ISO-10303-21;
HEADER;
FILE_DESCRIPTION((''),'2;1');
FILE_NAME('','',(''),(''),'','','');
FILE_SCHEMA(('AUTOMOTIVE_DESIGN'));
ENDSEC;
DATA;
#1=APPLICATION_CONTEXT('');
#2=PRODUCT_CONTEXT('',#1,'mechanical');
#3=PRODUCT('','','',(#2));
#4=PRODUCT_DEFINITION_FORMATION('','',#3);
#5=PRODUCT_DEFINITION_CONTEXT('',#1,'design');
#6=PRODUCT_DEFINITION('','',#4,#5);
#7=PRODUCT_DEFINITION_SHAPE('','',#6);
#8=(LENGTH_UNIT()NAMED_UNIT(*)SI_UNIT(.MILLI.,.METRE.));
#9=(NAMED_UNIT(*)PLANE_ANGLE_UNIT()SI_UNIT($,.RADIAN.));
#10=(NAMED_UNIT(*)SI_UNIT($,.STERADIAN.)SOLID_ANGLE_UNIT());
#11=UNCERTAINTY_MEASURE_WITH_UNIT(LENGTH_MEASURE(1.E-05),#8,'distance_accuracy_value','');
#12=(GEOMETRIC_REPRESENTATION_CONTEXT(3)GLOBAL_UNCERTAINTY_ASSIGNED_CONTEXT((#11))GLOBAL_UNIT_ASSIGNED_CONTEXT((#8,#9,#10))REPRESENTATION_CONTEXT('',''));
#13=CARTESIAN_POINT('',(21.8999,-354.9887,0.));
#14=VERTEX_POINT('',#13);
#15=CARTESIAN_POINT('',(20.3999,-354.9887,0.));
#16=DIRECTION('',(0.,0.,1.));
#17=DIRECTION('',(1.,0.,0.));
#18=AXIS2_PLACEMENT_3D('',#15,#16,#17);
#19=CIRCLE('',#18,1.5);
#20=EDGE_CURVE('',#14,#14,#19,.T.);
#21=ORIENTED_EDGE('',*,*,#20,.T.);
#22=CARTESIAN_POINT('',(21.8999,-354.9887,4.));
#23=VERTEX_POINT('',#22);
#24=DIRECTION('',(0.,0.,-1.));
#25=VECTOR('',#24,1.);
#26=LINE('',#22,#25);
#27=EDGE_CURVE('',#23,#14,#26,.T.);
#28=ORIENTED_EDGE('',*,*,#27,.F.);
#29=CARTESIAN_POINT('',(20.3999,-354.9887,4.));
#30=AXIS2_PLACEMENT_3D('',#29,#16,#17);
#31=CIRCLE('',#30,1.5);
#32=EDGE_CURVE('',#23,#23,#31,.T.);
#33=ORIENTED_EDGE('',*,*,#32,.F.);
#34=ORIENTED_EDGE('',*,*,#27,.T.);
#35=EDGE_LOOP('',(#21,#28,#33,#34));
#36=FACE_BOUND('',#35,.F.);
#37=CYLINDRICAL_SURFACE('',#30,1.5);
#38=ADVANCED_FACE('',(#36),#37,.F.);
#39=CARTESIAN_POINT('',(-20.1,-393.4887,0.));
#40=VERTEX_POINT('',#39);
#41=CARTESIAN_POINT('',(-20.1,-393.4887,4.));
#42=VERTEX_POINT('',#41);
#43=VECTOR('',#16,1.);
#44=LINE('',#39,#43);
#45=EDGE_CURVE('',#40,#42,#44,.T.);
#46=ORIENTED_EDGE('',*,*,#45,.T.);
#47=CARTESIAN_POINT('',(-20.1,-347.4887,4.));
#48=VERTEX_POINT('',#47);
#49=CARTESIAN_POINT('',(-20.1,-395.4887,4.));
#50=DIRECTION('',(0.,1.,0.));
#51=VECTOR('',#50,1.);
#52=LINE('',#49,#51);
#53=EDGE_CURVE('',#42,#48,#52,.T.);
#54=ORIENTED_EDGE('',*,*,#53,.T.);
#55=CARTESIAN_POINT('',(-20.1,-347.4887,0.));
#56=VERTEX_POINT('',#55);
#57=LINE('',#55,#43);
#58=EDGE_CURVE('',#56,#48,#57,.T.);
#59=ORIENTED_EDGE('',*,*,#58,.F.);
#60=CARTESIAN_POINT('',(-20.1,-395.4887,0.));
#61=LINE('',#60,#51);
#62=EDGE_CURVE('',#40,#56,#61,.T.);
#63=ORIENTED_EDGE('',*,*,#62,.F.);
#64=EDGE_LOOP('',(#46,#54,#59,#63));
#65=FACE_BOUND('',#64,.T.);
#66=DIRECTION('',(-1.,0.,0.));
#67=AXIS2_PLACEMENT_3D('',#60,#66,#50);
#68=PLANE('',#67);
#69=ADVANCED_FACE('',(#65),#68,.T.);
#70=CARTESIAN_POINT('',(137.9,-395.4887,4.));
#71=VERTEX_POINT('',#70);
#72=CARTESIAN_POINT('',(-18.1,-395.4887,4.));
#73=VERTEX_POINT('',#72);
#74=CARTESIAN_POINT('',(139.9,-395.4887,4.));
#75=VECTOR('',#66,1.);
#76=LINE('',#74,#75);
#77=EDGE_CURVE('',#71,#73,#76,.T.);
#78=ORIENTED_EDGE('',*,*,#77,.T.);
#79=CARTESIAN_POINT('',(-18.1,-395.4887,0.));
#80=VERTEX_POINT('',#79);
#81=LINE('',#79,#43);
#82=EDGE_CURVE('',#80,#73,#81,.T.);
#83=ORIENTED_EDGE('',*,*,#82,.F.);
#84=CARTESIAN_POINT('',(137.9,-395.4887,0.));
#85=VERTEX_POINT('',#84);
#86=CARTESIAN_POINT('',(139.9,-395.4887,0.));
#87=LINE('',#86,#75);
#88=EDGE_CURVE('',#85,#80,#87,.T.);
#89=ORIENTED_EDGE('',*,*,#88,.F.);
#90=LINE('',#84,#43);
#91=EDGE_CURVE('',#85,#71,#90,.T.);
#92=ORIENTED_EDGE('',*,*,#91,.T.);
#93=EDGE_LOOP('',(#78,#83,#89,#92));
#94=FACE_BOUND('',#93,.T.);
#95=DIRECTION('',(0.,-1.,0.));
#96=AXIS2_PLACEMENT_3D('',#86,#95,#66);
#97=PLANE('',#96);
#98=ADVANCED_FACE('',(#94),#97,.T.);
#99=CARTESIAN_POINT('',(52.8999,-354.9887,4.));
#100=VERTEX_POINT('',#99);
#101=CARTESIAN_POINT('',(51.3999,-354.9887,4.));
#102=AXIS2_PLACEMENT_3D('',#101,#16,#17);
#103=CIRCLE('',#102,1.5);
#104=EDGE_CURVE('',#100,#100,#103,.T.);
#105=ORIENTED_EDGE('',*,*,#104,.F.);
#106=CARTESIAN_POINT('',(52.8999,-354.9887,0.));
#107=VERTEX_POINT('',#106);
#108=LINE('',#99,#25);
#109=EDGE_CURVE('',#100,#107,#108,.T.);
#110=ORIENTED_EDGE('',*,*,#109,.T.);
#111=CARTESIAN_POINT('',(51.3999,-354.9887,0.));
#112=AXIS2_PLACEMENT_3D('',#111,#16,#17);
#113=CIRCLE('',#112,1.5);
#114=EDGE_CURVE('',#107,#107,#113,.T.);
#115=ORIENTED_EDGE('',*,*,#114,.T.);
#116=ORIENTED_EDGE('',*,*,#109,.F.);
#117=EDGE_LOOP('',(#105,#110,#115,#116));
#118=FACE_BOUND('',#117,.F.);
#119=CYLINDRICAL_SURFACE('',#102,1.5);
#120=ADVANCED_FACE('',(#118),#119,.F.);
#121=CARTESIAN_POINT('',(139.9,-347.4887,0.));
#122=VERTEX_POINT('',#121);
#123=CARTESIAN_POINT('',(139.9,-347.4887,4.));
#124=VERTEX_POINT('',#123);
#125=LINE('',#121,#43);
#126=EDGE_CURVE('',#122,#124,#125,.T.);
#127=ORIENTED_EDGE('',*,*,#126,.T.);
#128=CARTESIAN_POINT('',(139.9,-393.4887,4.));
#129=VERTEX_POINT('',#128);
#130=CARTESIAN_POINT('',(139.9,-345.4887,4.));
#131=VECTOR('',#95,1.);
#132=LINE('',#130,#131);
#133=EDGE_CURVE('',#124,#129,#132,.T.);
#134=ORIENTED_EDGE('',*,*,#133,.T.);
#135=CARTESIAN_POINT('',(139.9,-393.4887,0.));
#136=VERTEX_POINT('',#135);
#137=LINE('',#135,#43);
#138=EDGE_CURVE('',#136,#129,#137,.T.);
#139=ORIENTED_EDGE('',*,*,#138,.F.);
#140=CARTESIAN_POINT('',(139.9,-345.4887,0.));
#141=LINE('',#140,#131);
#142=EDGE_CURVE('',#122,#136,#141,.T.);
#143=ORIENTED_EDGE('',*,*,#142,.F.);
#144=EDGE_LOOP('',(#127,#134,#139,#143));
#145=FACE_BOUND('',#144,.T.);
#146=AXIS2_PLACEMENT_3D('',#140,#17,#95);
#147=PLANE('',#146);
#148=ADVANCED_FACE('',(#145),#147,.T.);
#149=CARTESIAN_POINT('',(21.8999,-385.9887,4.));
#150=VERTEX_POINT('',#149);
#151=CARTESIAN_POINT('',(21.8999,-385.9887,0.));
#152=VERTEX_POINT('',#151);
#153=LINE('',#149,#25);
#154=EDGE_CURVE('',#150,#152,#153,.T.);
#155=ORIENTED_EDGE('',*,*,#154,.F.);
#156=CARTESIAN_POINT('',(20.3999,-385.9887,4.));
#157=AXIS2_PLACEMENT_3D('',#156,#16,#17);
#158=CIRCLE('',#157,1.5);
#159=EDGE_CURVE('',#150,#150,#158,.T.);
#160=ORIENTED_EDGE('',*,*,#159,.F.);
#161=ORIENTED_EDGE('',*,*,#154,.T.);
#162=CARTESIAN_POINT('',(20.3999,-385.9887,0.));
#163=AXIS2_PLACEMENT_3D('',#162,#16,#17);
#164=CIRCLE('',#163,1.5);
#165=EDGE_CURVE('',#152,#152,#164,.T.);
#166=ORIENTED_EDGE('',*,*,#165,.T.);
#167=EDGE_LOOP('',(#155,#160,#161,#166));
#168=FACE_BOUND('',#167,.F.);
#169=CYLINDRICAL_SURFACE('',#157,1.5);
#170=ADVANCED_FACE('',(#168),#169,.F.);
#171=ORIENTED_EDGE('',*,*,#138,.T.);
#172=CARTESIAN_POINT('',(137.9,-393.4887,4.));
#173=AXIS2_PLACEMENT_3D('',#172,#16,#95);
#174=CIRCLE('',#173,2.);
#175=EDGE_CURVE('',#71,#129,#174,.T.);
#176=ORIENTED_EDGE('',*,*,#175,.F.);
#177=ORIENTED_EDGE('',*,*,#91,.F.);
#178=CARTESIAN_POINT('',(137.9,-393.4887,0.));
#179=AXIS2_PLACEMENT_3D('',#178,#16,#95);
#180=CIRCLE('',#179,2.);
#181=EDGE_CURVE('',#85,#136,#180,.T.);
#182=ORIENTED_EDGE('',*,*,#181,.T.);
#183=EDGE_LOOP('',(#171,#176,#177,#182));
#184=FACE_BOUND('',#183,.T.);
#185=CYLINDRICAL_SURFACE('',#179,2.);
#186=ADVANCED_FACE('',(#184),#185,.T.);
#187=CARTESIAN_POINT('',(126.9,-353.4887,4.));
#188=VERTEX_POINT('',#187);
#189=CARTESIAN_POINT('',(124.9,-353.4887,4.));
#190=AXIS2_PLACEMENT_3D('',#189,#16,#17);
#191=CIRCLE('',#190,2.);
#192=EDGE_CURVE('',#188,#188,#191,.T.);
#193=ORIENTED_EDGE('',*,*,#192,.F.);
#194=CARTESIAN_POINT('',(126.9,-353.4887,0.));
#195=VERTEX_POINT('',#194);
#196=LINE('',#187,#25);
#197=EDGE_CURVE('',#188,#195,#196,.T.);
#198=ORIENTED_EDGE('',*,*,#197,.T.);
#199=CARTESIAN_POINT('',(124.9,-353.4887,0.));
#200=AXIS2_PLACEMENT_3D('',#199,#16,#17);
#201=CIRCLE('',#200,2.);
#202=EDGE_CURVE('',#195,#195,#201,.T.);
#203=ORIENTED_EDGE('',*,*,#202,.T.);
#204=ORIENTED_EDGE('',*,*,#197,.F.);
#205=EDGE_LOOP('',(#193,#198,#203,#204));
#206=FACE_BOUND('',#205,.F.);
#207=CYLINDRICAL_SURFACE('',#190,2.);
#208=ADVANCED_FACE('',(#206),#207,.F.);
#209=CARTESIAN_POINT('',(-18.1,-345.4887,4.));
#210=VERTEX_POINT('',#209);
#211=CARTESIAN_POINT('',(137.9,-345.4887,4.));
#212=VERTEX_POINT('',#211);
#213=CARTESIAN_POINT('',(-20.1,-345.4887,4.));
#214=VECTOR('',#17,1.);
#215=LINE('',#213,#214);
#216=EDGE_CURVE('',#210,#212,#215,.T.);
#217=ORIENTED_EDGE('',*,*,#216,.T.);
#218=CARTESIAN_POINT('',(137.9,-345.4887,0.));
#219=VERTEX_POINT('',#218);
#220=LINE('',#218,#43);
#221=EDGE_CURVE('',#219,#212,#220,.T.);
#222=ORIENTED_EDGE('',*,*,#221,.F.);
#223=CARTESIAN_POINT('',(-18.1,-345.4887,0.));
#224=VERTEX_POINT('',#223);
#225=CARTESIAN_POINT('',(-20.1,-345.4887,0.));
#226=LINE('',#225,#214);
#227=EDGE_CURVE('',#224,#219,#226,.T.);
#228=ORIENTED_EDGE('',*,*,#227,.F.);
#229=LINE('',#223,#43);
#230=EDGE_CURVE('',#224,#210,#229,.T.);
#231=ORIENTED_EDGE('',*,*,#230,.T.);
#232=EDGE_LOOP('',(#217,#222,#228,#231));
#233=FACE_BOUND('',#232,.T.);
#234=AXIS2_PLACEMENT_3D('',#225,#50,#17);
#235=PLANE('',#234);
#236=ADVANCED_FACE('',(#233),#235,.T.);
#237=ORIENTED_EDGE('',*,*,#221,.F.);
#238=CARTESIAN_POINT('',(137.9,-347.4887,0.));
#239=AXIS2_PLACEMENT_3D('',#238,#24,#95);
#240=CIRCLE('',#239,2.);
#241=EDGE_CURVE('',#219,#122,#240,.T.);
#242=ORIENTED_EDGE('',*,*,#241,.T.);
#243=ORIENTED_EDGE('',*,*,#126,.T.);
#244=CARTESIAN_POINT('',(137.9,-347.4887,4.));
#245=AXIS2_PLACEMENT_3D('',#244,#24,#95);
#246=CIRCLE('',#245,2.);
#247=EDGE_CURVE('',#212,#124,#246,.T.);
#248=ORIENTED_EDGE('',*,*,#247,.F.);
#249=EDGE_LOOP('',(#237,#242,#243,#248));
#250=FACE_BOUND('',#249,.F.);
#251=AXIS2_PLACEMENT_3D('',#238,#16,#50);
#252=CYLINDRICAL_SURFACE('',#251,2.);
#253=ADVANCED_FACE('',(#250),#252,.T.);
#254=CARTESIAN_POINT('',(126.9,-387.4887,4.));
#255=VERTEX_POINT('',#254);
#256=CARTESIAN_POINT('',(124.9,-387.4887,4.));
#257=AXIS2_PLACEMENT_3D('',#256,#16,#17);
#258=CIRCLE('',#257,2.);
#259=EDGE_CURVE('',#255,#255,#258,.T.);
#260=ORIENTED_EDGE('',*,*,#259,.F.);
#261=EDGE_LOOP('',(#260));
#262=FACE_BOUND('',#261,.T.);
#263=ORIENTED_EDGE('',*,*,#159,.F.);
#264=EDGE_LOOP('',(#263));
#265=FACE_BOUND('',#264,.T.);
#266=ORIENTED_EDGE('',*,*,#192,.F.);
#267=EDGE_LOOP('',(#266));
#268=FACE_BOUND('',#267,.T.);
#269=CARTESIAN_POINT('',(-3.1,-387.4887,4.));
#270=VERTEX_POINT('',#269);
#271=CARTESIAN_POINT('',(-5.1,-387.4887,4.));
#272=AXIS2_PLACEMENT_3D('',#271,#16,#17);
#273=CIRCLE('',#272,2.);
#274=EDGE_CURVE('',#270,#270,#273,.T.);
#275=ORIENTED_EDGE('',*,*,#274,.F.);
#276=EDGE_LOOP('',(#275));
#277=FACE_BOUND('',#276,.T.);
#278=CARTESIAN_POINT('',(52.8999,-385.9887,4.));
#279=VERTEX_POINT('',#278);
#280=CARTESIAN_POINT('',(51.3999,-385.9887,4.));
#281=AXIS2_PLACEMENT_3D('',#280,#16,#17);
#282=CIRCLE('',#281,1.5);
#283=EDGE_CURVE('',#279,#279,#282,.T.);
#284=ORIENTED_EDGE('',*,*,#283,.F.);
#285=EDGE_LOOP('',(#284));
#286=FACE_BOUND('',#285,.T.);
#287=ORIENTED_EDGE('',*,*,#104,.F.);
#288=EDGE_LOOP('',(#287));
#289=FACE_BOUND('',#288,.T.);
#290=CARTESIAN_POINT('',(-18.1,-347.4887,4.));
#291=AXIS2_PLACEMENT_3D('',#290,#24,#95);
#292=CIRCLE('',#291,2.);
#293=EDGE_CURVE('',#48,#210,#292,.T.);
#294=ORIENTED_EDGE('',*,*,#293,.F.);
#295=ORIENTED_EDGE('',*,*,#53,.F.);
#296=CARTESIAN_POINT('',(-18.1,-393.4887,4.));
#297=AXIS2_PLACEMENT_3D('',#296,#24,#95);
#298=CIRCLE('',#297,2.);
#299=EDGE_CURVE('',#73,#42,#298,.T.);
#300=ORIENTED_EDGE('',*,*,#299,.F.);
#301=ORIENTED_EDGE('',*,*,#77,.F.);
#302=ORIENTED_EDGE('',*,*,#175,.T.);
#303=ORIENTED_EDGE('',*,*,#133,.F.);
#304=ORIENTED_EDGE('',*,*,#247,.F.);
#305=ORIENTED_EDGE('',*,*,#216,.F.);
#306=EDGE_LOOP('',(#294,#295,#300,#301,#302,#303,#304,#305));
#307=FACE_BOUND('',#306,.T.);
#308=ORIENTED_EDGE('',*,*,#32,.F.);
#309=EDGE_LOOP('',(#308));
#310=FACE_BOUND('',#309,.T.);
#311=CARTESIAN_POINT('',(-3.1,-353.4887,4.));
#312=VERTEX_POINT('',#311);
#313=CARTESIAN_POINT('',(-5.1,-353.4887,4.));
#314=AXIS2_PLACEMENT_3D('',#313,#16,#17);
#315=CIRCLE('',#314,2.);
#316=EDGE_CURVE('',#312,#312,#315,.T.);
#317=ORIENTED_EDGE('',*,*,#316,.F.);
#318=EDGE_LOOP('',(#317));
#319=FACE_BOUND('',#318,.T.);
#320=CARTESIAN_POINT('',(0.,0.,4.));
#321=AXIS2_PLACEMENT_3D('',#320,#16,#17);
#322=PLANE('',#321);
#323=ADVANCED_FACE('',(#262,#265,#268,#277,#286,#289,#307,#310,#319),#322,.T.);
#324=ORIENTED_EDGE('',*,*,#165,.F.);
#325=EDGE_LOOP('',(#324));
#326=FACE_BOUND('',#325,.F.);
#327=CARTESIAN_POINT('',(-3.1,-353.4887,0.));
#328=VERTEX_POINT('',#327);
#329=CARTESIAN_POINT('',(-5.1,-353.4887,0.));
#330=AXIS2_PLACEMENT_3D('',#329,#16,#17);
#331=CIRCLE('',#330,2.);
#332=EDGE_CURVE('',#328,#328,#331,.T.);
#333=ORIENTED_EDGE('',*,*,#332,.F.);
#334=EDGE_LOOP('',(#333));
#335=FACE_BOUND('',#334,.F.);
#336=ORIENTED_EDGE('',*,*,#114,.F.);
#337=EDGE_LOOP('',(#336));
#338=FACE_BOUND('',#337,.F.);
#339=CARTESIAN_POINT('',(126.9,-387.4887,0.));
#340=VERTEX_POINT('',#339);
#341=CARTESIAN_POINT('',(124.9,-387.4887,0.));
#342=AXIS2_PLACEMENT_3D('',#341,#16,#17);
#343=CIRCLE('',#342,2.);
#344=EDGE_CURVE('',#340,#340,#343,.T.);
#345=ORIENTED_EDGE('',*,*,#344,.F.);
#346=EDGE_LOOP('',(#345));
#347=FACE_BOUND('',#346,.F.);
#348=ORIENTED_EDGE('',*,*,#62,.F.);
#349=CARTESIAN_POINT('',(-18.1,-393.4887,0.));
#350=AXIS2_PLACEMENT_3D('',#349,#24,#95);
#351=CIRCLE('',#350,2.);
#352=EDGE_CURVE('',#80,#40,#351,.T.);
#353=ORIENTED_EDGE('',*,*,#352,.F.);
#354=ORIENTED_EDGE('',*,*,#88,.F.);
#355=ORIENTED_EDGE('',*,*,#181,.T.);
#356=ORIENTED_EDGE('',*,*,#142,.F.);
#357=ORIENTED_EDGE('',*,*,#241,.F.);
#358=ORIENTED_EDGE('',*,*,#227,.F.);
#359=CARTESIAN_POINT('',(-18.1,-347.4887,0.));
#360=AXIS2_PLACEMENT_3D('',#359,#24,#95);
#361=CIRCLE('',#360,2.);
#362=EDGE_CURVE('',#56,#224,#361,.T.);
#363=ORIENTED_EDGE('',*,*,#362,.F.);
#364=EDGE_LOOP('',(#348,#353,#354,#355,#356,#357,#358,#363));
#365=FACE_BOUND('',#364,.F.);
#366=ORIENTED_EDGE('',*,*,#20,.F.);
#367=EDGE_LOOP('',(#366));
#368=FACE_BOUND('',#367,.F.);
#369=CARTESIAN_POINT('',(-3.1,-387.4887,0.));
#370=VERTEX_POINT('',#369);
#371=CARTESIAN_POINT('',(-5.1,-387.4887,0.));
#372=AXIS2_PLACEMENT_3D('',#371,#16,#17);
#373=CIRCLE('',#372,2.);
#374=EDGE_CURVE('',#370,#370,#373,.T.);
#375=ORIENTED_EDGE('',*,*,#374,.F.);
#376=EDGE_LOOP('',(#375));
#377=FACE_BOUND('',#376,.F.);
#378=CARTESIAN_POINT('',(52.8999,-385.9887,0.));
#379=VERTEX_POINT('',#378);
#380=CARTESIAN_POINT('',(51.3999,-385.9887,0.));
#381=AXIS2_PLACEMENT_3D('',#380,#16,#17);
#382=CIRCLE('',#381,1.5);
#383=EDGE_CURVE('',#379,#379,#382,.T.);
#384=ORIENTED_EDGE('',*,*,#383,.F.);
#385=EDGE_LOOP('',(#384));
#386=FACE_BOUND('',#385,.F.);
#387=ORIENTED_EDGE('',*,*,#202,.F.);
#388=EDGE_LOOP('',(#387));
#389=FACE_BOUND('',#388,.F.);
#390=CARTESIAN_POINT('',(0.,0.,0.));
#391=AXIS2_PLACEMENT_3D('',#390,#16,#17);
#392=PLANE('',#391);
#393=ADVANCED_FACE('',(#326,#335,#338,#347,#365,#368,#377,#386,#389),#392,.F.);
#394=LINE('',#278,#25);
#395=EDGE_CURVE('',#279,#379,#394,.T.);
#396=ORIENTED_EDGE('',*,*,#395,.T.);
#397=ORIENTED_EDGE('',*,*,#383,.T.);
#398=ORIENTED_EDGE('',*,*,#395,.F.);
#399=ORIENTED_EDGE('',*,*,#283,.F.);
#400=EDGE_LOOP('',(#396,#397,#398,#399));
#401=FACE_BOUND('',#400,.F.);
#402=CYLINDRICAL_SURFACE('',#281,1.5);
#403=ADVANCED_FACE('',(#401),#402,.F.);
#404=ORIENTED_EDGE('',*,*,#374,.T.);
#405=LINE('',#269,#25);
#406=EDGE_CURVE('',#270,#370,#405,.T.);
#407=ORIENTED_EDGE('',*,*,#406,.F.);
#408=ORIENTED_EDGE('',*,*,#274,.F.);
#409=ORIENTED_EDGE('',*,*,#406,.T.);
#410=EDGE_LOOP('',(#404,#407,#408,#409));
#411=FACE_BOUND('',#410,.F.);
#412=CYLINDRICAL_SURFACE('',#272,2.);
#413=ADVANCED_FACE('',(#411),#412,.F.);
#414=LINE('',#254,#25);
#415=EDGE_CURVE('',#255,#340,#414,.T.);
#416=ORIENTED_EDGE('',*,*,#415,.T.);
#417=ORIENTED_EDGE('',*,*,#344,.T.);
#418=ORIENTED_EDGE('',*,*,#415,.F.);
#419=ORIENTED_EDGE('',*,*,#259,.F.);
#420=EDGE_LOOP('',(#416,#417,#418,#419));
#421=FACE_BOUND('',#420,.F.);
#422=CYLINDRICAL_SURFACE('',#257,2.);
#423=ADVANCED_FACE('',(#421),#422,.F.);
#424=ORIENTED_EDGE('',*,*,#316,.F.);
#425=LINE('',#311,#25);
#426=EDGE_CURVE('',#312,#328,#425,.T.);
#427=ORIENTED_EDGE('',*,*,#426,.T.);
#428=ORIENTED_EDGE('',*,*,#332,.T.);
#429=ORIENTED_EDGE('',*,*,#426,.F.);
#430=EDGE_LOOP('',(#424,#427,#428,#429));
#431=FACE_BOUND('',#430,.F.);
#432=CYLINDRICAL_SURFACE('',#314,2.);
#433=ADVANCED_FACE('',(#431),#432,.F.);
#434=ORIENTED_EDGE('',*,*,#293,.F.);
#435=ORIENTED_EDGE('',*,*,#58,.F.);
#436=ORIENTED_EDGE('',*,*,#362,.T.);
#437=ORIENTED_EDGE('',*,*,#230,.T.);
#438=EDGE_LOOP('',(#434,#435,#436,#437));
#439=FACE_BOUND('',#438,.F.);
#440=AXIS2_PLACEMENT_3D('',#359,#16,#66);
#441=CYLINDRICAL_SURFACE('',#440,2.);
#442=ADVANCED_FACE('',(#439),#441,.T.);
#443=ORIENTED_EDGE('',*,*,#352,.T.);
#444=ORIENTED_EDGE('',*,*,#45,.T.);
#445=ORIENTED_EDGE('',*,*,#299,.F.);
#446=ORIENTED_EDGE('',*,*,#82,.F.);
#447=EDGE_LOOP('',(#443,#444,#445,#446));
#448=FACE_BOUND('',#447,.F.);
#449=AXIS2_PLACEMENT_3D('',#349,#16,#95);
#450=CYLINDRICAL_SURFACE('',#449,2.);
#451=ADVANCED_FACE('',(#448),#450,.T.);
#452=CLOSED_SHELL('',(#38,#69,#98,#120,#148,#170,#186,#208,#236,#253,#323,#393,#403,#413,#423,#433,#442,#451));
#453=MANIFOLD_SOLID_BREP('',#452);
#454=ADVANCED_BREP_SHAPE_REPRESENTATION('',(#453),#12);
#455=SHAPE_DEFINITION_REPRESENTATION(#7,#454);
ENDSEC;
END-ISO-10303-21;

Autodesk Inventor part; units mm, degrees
ref_plane "YZ Plane" through (0, 0, 0) normal (1, 0, 0) x (0, 1, 0)
ref_plane "XZ Plane" through (0, 0, 0) normal (0, 1, 0) x (-1, 0, 0)
ref_plane "XY Plane" through (0, 0, 0) normal (0, 0, 1) x (1, 0, 0)
sketch "Sketch1" plane through (0, 0, 0) normal (0, 0, 1) x (1, 0, 0)
  line L0 (139.9, -900) -> (139.9, 100) construction
  line L1 (-20.1001, -2.6887) -> (-20.0999, -902.6887) construction
  line L2 (139.9, -395.4887) -> (-20.1, -395.4887)
  line L3 (-20.1, -395.4887) -> (-20.1, -345.4887)
  line L4 (-20.1, -345.4887) -> (139.9, -345.4887)
  line L5 (139.9, -345.4887) -> (139.9, -395.4887)
  point P0 (0, 0)
  dimension "d0" = 50
extrude "Extrusion1" add sketch "Sketch1" along normal blind 4
fillet "Fillet1" radius 2 4 edges at (-20.1, -395.4887, 2) (-20.1, -345.4887, 2) (139.9, -395.4887, 2) (139.9, -345.4887, 2)
sketch "Sketch2" plane through (0, 0, 4) normal (0, 0, 1) x (1, 0, 0)
  line L0 (128.9999, 97.3113) -> (129.0001, -902.6887) construction
  line L1 (120.7999, 97.3113) -> (128.9999, 97.3113) construction
  line L2 (120.7999, 97.3113) -> (120.8001, -902.6887) construction
  line L3 (129.0001, -902.6887) -> (120.8001, -902.6887) construction
  line L4 (-1.0001, 97.3113) -> (-0.9999, -902.6887) construction
  line L5 (-9.2001, 97.3113) -> (-1.0001, 97.3113) construction
  line L6 (-9.2001, 97.3113) -> (-9.1999, -902.6887) construction
  line L7 (-0.9999, -902.6887) -> (-9.1999, -902.6887) construction
  line L8 (124.9001, -902.6887) -> (124.8999, 97.3113) construction
  line L9 (-5.1001, 97.3113) -> (-5.0999, -902.6887) construction
  circle A0 centre (51.3999, -385.9887) radius 1.5 construction
  circle A1 centre (20.3999, -385.9887) radius 1.5 construction
  circle A2 centre (20.3999, -354.9887) radius 1.5 construction
  circle A3 centre (51.3999, -354.9887) radius 1.5 construction
  circle A4 centre (124.9, -387.4887) radius 2
  circle A5 centre (124.9, -353.4887) radius 2
  circle A6 centre (51.3999, -385.9887) radius 1.5
  circle A7 centre (51.3999, -354.9887) radius 1.5
  circle A8 centre (20.3999, -354.9887) radius 1.5
  circle A9 centre (20.3999, -385.9887) radius 1.5
  circle A10 centre (-5.1, -387.4887) radius 2
  circle A11 centre (-5.1, -353.4887) radius 2
  line L10 (-18.1, -395.4887) -> (137.9, -395.4887) projected
  line L11 (137.9, -345.4887) -> (-18.1, -345.4887) projected
  point P0 (0, 0)
  dimension "d4" = 4
  dimension "d5" = 4
  dimension "d6" = 3
  dimension "d7" = 3
  dimension "d8" = 3
  dimension "d9" = 3
  dimension "d10" = 4
  dimension "d11" = 4
  dimension "d12" = 8
  dimension "d13" = 8
  dimension "d14" = 8
  dimension "d15" = 8
extrude "Extrusion2" cut sketch "Sketch2" against normal through all
properties part number "wiper motor holder"
